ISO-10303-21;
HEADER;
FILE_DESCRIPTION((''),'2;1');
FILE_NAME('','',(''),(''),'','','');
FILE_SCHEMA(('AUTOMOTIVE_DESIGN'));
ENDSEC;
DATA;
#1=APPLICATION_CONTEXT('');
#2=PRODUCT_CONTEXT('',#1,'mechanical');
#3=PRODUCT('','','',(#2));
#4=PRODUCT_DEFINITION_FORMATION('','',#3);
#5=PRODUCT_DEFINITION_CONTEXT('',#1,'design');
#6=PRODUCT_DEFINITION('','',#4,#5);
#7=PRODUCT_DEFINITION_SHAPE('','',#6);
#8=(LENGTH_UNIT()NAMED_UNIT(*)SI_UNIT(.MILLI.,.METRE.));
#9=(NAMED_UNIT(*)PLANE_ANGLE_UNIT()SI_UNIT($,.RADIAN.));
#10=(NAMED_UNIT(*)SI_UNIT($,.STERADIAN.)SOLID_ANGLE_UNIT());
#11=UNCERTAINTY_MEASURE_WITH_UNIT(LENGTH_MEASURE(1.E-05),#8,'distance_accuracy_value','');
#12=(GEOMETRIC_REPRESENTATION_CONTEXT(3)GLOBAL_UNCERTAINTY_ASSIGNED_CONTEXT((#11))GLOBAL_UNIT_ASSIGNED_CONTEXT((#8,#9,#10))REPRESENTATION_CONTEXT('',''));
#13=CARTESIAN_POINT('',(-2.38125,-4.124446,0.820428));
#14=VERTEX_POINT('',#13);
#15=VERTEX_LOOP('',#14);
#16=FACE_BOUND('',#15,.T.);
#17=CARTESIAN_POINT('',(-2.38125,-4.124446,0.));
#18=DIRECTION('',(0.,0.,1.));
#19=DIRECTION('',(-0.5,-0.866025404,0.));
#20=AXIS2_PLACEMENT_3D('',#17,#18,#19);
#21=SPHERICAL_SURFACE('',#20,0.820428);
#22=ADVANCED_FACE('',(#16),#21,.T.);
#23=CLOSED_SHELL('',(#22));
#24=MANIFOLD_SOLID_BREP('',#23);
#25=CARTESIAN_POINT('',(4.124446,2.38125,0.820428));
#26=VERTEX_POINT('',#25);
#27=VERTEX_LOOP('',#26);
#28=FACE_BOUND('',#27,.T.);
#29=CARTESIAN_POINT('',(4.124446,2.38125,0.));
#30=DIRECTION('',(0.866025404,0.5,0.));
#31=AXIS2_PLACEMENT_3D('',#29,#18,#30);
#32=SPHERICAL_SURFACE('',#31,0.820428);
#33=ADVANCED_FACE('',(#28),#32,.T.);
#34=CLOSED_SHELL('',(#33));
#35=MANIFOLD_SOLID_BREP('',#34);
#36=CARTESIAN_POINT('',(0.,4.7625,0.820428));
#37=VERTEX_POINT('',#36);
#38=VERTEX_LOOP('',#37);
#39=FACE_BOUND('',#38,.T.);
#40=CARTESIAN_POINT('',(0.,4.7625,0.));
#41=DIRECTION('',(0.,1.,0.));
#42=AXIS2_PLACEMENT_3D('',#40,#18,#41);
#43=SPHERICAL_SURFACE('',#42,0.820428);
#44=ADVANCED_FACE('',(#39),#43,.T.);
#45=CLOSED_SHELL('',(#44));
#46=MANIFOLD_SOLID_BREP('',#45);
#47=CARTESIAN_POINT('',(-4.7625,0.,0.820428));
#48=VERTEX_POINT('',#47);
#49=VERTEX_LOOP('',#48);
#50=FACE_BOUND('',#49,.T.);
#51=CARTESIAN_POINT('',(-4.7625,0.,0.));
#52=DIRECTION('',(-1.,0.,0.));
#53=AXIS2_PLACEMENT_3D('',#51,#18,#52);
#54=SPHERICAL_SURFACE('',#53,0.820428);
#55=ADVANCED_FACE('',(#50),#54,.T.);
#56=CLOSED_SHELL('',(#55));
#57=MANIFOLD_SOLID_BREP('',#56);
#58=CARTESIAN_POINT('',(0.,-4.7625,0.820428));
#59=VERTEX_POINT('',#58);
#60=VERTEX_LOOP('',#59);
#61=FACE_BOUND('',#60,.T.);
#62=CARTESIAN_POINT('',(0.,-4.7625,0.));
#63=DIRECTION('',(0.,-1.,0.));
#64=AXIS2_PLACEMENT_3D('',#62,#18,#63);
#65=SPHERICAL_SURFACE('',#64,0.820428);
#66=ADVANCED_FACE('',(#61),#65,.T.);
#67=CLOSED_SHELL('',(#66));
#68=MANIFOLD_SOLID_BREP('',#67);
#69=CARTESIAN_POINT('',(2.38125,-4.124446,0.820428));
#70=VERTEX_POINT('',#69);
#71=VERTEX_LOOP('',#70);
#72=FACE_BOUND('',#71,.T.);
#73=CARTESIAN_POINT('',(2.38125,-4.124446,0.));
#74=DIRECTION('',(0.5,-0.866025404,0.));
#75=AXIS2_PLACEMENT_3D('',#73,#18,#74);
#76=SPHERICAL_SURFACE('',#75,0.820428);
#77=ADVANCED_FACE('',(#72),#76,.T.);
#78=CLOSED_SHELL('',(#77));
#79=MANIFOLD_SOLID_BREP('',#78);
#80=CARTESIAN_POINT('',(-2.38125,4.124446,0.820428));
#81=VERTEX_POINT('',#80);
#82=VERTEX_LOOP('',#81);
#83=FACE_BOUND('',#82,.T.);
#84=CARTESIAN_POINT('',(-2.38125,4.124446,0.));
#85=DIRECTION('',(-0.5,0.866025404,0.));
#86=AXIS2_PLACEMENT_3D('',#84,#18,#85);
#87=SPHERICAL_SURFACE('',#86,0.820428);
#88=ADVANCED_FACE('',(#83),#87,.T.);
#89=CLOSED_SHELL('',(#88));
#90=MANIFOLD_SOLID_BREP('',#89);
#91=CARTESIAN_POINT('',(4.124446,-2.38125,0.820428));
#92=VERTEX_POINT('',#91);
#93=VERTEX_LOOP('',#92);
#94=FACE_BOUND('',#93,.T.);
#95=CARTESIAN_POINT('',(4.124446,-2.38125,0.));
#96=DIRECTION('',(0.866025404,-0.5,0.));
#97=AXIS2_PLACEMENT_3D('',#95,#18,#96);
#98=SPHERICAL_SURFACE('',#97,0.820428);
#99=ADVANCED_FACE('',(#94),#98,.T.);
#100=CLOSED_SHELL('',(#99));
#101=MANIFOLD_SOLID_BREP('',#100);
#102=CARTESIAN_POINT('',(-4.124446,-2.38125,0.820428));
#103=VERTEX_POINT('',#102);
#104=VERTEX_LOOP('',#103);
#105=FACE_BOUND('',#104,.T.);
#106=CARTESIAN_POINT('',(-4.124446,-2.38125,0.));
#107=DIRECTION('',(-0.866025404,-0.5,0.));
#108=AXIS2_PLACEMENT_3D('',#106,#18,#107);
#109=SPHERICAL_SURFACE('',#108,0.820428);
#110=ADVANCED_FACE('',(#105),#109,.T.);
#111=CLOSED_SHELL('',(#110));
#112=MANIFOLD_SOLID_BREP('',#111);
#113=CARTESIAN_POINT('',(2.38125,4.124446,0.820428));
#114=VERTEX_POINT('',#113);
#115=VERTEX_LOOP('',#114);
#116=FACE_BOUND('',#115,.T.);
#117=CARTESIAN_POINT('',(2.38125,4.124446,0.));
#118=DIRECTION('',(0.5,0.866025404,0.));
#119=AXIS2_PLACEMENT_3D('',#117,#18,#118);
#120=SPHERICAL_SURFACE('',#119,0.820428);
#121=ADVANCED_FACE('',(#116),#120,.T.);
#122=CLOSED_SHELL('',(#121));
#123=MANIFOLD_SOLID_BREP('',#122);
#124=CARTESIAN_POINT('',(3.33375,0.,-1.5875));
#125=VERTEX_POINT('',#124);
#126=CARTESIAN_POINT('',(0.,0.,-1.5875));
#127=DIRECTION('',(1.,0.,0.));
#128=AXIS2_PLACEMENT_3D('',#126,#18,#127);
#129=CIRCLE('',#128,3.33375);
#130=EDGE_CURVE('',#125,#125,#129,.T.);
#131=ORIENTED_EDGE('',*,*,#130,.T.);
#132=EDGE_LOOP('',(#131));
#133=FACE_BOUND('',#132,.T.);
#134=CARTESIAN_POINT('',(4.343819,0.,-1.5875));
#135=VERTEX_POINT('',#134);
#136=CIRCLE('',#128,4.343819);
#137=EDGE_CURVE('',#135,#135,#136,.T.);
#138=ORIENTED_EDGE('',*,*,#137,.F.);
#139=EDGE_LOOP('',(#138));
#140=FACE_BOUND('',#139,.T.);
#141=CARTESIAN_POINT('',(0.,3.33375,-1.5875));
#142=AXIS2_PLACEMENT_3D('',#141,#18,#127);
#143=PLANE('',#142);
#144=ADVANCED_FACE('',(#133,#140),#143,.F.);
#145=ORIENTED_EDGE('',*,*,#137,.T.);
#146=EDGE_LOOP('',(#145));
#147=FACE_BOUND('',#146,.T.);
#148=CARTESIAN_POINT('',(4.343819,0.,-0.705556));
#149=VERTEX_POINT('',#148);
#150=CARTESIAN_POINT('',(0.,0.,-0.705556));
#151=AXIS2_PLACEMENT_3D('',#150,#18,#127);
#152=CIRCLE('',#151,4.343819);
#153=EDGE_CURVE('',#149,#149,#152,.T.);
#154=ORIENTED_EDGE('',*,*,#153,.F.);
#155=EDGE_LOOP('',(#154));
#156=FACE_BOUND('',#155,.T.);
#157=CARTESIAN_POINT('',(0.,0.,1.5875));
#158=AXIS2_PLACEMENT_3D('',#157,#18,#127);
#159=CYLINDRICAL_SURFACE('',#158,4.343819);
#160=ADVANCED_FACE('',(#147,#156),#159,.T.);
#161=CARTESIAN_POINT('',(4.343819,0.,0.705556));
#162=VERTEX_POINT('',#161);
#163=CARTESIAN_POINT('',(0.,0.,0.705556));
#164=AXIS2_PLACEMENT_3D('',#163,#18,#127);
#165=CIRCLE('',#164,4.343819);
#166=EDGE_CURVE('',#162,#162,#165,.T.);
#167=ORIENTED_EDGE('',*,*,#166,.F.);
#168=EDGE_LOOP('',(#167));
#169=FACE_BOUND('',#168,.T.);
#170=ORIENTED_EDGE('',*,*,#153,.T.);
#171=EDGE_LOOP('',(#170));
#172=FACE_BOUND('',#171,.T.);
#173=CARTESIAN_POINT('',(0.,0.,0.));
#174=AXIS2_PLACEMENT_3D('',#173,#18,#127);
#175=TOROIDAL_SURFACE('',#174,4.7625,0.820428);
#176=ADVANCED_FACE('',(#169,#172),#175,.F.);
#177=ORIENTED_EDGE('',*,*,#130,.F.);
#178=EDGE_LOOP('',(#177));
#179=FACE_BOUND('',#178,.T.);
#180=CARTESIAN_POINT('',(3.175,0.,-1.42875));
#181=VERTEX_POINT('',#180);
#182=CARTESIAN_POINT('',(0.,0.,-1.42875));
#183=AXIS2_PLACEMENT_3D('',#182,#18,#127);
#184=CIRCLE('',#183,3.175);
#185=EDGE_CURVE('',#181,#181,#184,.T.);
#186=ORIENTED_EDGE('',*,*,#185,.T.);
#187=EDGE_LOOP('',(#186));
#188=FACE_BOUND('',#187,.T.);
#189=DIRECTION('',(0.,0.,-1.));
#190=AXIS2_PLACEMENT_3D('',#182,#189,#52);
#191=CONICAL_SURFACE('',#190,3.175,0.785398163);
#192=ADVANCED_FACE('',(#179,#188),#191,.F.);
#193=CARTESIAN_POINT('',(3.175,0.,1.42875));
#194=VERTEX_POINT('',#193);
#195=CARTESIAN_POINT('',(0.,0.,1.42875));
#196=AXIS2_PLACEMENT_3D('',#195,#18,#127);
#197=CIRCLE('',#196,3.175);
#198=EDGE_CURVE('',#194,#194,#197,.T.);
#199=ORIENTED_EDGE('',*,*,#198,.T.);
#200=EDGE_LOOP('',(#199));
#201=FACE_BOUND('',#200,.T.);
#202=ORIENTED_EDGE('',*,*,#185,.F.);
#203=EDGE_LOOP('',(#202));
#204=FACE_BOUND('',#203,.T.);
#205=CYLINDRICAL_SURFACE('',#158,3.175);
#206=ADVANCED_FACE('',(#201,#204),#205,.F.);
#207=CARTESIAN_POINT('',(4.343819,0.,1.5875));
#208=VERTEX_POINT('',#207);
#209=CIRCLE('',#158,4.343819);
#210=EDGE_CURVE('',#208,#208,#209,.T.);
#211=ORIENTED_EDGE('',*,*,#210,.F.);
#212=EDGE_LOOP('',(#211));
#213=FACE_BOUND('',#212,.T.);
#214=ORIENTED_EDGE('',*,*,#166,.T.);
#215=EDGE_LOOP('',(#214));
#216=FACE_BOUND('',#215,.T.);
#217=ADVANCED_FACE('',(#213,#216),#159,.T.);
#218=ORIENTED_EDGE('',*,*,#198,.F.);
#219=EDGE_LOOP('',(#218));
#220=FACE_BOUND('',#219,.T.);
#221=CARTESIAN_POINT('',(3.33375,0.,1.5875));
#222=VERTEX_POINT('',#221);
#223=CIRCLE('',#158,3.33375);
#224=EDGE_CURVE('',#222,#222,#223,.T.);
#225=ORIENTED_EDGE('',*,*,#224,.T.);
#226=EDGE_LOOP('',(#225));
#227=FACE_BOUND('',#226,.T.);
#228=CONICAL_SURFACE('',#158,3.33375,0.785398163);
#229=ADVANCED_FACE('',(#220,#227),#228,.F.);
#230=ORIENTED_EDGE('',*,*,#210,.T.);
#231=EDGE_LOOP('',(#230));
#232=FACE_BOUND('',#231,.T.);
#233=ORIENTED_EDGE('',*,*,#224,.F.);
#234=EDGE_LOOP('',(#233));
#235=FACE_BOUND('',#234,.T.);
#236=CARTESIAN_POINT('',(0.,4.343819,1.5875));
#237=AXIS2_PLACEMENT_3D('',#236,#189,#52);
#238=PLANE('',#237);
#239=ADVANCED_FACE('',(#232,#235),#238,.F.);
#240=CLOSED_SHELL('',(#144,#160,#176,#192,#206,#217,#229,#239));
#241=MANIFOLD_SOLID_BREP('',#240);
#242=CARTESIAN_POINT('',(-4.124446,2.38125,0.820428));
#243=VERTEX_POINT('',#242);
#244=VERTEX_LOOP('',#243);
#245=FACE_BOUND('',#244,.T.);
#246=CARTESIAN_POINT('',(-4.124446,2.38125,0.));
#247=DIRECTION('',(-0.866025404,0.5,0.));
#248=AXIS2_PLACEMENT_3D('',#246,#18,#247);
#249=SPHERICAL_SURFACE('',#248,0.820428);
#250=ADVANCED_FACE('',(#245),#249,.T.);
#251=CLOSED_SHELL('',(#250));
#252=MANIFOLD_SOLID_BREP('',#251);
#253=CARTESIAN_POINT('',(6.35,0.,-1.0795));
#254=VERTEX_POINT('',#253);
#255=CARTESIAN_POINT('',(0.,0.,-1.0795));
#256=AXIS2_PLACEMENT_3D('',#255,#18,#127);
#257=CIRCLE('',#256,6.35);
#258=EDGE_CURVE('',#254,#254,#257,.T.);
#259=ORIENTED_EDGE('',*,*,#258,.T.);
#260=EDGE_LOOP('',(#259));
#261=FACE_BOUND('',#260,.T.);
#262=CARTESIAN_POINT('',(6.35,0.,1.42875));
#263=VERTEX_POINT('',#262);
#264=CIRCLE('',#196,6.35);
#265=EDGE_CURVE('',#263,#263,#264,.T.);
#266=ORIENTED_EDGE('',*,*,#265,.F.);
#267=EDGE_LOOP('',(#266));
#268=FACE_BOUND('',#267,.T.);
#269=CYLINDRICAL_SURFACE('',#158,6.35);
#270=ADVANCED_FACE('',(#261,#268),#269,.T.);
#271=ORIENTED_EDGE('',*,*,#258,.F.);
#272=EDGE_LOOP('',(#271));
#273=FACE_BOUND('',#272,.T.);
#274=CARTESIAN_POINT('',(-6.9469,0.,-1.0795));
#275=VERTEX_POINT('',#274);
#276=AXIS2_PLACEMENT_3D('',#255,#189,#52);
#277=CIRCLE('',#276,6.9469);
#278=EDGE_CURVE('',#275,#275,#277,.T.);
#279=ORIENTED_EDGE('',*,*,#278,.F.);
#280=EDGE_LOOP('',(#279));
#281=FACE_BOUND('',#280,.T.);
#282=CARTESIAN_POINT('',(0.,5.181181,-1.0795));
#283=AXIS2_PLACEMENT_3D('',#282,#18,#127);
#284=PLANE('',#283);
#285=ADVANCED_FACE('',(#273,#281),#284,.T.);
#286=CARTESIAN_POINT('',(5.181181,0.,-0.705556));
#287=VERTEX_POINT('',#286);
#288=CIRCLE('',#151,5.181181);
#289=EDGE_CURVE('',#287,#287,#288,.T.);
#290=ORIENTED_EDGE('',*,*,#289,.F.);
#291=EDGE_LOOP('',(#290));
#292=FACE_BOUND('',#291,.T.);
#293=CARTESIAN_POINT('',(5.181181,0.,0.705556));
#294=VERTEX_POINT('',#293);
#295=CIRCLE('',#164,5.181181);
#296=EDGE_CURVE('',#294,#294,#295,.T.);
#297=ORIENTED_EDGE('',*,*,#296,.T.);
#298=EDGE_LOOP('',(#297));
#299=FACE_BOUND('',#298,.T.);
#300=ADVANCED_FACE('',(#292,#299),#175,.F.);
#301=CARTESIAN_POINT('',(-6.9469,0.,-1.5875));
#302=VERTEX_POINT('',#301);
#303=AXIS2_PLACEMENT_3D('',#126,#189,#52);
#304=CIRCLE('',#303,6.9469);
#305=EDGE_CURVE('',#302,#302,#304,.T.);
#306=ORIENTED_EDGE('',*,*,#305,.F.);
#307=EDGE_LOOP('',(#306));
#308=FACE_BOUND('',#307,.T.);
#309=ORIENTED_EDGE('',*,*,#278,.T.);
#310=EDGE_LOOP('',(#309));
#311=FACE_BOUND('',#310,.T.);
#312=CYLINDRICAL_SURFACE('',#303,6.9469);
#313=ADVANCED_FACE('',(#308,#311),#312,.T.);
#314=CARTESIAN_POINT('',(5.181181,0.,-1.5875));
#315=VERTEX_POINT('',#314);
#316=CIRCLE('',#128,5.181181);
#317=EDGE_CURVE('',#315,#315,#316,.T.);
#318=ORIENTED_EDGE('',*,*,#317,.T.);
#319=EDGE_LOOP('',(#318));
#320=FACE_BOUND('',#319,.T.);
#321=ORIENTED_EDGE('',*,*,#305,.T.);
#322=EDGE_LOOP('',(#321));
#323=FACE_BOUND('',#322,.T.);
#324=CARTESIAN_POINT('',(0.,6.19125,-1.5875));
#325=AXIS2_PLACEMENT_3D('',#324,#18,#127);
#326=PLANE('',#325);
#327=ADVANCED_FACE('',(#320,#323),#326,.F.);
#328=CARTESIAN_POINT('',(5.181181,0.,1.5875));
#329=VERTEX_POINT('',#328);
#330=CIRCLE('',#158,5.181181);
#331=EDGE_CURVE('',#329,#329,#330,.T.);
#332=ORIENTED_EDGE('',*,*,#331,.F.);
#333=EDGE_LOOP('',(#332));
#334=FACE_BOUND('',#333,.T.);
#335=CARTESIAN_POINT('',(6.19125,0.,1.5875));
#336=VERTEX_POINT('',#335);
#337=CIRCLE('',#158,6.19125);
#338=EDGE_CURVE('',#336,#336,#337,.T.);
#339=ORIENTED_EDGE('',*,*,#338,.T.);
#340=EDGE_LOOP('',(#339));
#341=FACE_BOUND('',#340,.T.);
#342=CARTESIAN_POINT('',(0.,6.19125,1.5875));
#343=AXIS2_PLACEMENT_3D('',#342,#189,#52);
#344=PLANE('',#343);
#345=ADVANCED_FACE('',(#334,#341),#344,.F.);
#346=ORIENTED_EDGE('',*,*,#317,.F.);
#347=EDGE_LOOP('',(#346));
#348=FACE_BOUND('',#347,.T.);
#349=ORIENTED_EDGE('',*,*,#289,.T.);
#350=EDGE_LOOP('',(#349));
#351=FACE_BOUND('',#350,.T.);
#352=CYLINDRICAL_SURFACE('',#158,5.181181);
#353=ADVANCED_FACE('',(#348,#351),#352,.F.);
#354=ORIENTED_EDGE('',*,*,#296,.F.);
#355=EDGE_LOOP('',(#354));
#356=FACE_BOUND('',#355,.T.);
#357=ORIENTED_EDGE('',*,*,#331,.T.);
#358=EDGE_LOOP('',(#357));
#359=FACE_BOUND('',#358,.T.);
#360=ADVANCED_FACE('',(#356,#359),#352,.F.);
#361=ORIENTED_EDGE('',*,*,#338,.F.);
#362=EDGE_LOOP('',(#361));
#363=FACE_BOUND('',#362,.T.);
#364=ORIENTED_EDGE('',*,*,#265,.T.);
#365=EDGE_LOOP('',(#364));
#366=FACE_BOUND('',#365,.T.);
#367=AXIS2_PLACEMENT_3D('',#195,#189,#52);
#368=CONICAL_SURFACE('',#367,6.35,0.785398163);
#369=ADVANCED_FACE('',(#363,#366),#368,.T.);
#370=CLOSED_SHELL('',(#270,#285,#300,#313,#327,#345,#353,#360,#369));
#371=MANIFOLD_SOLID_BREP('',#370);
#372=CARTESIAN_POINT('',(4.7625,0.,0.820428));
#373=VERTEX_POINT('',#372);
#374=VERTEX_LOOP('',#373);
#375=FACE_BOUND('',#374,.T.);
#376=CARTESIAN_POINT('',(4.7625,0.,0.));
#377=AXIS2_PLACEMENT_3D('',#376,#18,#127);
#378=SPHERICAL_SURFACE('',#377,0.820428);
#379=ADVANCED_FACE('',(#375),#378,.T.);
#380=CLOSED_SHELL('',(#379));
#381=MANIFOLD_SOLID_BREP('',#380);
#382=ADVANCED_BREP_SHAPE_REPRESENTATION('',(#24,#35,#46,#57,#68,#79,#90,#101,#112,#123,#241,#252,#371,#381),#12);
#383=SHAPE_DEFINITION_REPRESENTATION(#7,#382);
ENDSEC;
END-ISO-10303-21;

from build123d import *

# Parameters (mm, degrees)
CIRPATTERN1_COUNT = 12
SKETCH6_W         = 0.508
SKETCH6_H         = 1.765718681


with BuildPart() as part:
    # Sketch1 → Revolve1 (revolve)
    with BuildSketch(Plane(origin=(0, 0, 0), x_dir=(0, 0, -1), z_dir=(1, 0, 0))):
        with BuildLine():
            Line((1.42875, 6.35), (-1.42875, 6.35))
            Line((-1.42875, 6.35), (-1.5875, 6.19125))
            Line((-1.5875, 6.19125), (-1.5875, 5.181181319))
            Line((-1.5875, 5.181181319), (-0.705555556, 5.181181319))
            ThreePointArc((-0.705555556, 5.181181319), (0, 5.582928357), (0.705555556, 5.181181319))
            Line((0.705555556, 5.181181319), (1.5875, 5.181181319))
            Line((1.5875, 5.181181319), (1.5875, 6.19125))
            Line((1.5875, 6.19125), (1.42875, 6.35))
        make_face()
    revolve(axis=Axis((0, 0, 1.5875), (0, 0, -1)))

    # Sketch6 → Revolve6 (revolve)
    with BuildSketch(Plane(origin=(0, 0, 0), x_dir=(0, 0, -1), z_dir=(1, 0, 0))):
        with Locations((1.3335, 6.064040659)):
            Rectangle(SKETCH6_W, SKETCH6_H)
    revolve(axis=Axis((0, 0, -1.5875), (0, 0, 1)))


with BuildPart() as body_2:
    # Sketch3 → Revolve3 (revolve)
    with BuildSketch(Plane(origin=(0, 0, 0), x_dir=(0, 0, -1), z_dir=(1, 0, 0))):
        with BuildLine():
            Line((-1.5875, 4.343818681), (-0.705555556, 4.343818681))
            ThreePointArc((-0.705555556, 4.343818681), (0, 3.942071643), (0.705555556, 4.343818681))
            Line((0.705555556, 4.343818681), (1.5875, 4.343818681))
            Line((1.5875, 4.343818681), (1.5875, 3.33375))
            Line((1.5875, 3.33375), (1.42875, 3.175))
            Line((1.42875, 3.175), (-1.42875, 3.175))
            Line((-1.42875, 3.175), (-1.5875, 3.33375))
            Line((-1.5875, 3.33375), (-1.5875, 4.343818681))
        make_face()
    revolve(axis=Axis((0, 0, 1.5875), (0, 0, -1)))


with BuildPart() as body_3:
    # Sketch4 → Revolve4 (revolve)
    with BuildSketch(Plane(origin=(0, 0, 0), x_dir=(0, 0, -1), z_dir=(1, 0, 0))):
        with BuildLine():
            Line((-0.820428357, 4.7625), (0.820428357, 4.7625))
            ThreePointArc((0.820428357, 4.7625), (0, 5.582928357), (-0.820428357, 4.7625))
        make_face()
    revolve(axis=Axis((0, 4.7625, 0.820428357), (0, 0, -1)))


with BuildPart() as cirpattern1_1:
    # CirPattern1: pattern copy
    add(body_3.part.rotate(Axis((0, 0, -1.5875), (0, 0, 1)), 1 * 360 / CIRPATTERN1_COUNT))


with BuildPart() as cirpattern1_2:
    # CirPattern1: pattern copy
    add(body_3.part.rotate(Axis((0, 0, -1.5875), (0, 0, 1)), 2 * 360 / CIRPATTERN1_COUNT))


with BuildPart() as cirpattern1_3:
    # CirPattern1: pattern copy
    add(body_3.part.rotate(Axis((0, 0, -1.5875), (0, 0, 1)), 3 * 360 / CIRPATTERN1_COUNT))


with BuildPart() as cirpattern1_4:
    # CirPattern1: pattern copy
    add(body_3.part.rotate(Axis((0, 0, -1.5875), (0, 0, 1)), 4 * 360 / CIRPATTERN1_COUNT))


with BuildPart() as cirpattern1_5:
    # CirPattern1: pattern copy
    add(body_3.part.rotate(Axis((0, 0, -1.5875), (0, 0, 1)), 5 * 360 / CIRPATTERN1_COUNT))


with BuildPart() as cirpattern1_6:
    # CirPattern1: pattern copy
    add(body_3.part.rotate(Axis((0, 0, -1.5875), (0, 0, 1)), 6 * 360 / CIRPATTERN1_COUNT))


with BuildPart() as cirpattern1_7:
    # CirPattern1: pattern copy
    add(body_3.part.rotate(Axis((0, 0, -1.5875), (0, 0, 1)), 7 * 360 / CIRPATTERN1_COUNT))


with BuildPart() as cirpattern1_8:
    # CirPattern1: pattern copy
    add(body_3.part.rotate(Axis((0, 0, -1.5875), (0, 0, 1)), 8 * 360 / CIRPATTERN1_COUNT))


with BuildPart() as cirpattern1_9:
    # CirPattern1: pattern copy
    add(body_3.part.rotate(Axis((0, 0, -1.5875), (0, 0, 1)), 9 * 360 / CIRPATTERN1_COUNT))


with BuildPart() as cirpattern1_10:
    # CirPattern1: pattern copy
    add(body_3.part.rotate(Axis((0, 0, -1.5875), (0, 0, 1)), 10 * 360 / CIRPATTERN1_COUNT))


with BuildPart() as cirpattern1_11:
    # CirPattern1: pattern copy
    add(body_3.part.rotate(Axis((0, 0, -1.5875), (0, 0, 1)), 11 * 360 / CIRPATTERN1_COUNT))


solid = Compound([part.part, body_2.part, body_3.part, cirpattern1_1.part, cirpattern1_2.part, cirpattern1_3.part, cirpattern1_4.part, cirpattern1_5.part, cirpattern1_6.part, cirpattern1_7.part, cirpattern1_8.part, cirpattern1_9.part, cirpattern1_10.part, cirpattern1_11.part])
